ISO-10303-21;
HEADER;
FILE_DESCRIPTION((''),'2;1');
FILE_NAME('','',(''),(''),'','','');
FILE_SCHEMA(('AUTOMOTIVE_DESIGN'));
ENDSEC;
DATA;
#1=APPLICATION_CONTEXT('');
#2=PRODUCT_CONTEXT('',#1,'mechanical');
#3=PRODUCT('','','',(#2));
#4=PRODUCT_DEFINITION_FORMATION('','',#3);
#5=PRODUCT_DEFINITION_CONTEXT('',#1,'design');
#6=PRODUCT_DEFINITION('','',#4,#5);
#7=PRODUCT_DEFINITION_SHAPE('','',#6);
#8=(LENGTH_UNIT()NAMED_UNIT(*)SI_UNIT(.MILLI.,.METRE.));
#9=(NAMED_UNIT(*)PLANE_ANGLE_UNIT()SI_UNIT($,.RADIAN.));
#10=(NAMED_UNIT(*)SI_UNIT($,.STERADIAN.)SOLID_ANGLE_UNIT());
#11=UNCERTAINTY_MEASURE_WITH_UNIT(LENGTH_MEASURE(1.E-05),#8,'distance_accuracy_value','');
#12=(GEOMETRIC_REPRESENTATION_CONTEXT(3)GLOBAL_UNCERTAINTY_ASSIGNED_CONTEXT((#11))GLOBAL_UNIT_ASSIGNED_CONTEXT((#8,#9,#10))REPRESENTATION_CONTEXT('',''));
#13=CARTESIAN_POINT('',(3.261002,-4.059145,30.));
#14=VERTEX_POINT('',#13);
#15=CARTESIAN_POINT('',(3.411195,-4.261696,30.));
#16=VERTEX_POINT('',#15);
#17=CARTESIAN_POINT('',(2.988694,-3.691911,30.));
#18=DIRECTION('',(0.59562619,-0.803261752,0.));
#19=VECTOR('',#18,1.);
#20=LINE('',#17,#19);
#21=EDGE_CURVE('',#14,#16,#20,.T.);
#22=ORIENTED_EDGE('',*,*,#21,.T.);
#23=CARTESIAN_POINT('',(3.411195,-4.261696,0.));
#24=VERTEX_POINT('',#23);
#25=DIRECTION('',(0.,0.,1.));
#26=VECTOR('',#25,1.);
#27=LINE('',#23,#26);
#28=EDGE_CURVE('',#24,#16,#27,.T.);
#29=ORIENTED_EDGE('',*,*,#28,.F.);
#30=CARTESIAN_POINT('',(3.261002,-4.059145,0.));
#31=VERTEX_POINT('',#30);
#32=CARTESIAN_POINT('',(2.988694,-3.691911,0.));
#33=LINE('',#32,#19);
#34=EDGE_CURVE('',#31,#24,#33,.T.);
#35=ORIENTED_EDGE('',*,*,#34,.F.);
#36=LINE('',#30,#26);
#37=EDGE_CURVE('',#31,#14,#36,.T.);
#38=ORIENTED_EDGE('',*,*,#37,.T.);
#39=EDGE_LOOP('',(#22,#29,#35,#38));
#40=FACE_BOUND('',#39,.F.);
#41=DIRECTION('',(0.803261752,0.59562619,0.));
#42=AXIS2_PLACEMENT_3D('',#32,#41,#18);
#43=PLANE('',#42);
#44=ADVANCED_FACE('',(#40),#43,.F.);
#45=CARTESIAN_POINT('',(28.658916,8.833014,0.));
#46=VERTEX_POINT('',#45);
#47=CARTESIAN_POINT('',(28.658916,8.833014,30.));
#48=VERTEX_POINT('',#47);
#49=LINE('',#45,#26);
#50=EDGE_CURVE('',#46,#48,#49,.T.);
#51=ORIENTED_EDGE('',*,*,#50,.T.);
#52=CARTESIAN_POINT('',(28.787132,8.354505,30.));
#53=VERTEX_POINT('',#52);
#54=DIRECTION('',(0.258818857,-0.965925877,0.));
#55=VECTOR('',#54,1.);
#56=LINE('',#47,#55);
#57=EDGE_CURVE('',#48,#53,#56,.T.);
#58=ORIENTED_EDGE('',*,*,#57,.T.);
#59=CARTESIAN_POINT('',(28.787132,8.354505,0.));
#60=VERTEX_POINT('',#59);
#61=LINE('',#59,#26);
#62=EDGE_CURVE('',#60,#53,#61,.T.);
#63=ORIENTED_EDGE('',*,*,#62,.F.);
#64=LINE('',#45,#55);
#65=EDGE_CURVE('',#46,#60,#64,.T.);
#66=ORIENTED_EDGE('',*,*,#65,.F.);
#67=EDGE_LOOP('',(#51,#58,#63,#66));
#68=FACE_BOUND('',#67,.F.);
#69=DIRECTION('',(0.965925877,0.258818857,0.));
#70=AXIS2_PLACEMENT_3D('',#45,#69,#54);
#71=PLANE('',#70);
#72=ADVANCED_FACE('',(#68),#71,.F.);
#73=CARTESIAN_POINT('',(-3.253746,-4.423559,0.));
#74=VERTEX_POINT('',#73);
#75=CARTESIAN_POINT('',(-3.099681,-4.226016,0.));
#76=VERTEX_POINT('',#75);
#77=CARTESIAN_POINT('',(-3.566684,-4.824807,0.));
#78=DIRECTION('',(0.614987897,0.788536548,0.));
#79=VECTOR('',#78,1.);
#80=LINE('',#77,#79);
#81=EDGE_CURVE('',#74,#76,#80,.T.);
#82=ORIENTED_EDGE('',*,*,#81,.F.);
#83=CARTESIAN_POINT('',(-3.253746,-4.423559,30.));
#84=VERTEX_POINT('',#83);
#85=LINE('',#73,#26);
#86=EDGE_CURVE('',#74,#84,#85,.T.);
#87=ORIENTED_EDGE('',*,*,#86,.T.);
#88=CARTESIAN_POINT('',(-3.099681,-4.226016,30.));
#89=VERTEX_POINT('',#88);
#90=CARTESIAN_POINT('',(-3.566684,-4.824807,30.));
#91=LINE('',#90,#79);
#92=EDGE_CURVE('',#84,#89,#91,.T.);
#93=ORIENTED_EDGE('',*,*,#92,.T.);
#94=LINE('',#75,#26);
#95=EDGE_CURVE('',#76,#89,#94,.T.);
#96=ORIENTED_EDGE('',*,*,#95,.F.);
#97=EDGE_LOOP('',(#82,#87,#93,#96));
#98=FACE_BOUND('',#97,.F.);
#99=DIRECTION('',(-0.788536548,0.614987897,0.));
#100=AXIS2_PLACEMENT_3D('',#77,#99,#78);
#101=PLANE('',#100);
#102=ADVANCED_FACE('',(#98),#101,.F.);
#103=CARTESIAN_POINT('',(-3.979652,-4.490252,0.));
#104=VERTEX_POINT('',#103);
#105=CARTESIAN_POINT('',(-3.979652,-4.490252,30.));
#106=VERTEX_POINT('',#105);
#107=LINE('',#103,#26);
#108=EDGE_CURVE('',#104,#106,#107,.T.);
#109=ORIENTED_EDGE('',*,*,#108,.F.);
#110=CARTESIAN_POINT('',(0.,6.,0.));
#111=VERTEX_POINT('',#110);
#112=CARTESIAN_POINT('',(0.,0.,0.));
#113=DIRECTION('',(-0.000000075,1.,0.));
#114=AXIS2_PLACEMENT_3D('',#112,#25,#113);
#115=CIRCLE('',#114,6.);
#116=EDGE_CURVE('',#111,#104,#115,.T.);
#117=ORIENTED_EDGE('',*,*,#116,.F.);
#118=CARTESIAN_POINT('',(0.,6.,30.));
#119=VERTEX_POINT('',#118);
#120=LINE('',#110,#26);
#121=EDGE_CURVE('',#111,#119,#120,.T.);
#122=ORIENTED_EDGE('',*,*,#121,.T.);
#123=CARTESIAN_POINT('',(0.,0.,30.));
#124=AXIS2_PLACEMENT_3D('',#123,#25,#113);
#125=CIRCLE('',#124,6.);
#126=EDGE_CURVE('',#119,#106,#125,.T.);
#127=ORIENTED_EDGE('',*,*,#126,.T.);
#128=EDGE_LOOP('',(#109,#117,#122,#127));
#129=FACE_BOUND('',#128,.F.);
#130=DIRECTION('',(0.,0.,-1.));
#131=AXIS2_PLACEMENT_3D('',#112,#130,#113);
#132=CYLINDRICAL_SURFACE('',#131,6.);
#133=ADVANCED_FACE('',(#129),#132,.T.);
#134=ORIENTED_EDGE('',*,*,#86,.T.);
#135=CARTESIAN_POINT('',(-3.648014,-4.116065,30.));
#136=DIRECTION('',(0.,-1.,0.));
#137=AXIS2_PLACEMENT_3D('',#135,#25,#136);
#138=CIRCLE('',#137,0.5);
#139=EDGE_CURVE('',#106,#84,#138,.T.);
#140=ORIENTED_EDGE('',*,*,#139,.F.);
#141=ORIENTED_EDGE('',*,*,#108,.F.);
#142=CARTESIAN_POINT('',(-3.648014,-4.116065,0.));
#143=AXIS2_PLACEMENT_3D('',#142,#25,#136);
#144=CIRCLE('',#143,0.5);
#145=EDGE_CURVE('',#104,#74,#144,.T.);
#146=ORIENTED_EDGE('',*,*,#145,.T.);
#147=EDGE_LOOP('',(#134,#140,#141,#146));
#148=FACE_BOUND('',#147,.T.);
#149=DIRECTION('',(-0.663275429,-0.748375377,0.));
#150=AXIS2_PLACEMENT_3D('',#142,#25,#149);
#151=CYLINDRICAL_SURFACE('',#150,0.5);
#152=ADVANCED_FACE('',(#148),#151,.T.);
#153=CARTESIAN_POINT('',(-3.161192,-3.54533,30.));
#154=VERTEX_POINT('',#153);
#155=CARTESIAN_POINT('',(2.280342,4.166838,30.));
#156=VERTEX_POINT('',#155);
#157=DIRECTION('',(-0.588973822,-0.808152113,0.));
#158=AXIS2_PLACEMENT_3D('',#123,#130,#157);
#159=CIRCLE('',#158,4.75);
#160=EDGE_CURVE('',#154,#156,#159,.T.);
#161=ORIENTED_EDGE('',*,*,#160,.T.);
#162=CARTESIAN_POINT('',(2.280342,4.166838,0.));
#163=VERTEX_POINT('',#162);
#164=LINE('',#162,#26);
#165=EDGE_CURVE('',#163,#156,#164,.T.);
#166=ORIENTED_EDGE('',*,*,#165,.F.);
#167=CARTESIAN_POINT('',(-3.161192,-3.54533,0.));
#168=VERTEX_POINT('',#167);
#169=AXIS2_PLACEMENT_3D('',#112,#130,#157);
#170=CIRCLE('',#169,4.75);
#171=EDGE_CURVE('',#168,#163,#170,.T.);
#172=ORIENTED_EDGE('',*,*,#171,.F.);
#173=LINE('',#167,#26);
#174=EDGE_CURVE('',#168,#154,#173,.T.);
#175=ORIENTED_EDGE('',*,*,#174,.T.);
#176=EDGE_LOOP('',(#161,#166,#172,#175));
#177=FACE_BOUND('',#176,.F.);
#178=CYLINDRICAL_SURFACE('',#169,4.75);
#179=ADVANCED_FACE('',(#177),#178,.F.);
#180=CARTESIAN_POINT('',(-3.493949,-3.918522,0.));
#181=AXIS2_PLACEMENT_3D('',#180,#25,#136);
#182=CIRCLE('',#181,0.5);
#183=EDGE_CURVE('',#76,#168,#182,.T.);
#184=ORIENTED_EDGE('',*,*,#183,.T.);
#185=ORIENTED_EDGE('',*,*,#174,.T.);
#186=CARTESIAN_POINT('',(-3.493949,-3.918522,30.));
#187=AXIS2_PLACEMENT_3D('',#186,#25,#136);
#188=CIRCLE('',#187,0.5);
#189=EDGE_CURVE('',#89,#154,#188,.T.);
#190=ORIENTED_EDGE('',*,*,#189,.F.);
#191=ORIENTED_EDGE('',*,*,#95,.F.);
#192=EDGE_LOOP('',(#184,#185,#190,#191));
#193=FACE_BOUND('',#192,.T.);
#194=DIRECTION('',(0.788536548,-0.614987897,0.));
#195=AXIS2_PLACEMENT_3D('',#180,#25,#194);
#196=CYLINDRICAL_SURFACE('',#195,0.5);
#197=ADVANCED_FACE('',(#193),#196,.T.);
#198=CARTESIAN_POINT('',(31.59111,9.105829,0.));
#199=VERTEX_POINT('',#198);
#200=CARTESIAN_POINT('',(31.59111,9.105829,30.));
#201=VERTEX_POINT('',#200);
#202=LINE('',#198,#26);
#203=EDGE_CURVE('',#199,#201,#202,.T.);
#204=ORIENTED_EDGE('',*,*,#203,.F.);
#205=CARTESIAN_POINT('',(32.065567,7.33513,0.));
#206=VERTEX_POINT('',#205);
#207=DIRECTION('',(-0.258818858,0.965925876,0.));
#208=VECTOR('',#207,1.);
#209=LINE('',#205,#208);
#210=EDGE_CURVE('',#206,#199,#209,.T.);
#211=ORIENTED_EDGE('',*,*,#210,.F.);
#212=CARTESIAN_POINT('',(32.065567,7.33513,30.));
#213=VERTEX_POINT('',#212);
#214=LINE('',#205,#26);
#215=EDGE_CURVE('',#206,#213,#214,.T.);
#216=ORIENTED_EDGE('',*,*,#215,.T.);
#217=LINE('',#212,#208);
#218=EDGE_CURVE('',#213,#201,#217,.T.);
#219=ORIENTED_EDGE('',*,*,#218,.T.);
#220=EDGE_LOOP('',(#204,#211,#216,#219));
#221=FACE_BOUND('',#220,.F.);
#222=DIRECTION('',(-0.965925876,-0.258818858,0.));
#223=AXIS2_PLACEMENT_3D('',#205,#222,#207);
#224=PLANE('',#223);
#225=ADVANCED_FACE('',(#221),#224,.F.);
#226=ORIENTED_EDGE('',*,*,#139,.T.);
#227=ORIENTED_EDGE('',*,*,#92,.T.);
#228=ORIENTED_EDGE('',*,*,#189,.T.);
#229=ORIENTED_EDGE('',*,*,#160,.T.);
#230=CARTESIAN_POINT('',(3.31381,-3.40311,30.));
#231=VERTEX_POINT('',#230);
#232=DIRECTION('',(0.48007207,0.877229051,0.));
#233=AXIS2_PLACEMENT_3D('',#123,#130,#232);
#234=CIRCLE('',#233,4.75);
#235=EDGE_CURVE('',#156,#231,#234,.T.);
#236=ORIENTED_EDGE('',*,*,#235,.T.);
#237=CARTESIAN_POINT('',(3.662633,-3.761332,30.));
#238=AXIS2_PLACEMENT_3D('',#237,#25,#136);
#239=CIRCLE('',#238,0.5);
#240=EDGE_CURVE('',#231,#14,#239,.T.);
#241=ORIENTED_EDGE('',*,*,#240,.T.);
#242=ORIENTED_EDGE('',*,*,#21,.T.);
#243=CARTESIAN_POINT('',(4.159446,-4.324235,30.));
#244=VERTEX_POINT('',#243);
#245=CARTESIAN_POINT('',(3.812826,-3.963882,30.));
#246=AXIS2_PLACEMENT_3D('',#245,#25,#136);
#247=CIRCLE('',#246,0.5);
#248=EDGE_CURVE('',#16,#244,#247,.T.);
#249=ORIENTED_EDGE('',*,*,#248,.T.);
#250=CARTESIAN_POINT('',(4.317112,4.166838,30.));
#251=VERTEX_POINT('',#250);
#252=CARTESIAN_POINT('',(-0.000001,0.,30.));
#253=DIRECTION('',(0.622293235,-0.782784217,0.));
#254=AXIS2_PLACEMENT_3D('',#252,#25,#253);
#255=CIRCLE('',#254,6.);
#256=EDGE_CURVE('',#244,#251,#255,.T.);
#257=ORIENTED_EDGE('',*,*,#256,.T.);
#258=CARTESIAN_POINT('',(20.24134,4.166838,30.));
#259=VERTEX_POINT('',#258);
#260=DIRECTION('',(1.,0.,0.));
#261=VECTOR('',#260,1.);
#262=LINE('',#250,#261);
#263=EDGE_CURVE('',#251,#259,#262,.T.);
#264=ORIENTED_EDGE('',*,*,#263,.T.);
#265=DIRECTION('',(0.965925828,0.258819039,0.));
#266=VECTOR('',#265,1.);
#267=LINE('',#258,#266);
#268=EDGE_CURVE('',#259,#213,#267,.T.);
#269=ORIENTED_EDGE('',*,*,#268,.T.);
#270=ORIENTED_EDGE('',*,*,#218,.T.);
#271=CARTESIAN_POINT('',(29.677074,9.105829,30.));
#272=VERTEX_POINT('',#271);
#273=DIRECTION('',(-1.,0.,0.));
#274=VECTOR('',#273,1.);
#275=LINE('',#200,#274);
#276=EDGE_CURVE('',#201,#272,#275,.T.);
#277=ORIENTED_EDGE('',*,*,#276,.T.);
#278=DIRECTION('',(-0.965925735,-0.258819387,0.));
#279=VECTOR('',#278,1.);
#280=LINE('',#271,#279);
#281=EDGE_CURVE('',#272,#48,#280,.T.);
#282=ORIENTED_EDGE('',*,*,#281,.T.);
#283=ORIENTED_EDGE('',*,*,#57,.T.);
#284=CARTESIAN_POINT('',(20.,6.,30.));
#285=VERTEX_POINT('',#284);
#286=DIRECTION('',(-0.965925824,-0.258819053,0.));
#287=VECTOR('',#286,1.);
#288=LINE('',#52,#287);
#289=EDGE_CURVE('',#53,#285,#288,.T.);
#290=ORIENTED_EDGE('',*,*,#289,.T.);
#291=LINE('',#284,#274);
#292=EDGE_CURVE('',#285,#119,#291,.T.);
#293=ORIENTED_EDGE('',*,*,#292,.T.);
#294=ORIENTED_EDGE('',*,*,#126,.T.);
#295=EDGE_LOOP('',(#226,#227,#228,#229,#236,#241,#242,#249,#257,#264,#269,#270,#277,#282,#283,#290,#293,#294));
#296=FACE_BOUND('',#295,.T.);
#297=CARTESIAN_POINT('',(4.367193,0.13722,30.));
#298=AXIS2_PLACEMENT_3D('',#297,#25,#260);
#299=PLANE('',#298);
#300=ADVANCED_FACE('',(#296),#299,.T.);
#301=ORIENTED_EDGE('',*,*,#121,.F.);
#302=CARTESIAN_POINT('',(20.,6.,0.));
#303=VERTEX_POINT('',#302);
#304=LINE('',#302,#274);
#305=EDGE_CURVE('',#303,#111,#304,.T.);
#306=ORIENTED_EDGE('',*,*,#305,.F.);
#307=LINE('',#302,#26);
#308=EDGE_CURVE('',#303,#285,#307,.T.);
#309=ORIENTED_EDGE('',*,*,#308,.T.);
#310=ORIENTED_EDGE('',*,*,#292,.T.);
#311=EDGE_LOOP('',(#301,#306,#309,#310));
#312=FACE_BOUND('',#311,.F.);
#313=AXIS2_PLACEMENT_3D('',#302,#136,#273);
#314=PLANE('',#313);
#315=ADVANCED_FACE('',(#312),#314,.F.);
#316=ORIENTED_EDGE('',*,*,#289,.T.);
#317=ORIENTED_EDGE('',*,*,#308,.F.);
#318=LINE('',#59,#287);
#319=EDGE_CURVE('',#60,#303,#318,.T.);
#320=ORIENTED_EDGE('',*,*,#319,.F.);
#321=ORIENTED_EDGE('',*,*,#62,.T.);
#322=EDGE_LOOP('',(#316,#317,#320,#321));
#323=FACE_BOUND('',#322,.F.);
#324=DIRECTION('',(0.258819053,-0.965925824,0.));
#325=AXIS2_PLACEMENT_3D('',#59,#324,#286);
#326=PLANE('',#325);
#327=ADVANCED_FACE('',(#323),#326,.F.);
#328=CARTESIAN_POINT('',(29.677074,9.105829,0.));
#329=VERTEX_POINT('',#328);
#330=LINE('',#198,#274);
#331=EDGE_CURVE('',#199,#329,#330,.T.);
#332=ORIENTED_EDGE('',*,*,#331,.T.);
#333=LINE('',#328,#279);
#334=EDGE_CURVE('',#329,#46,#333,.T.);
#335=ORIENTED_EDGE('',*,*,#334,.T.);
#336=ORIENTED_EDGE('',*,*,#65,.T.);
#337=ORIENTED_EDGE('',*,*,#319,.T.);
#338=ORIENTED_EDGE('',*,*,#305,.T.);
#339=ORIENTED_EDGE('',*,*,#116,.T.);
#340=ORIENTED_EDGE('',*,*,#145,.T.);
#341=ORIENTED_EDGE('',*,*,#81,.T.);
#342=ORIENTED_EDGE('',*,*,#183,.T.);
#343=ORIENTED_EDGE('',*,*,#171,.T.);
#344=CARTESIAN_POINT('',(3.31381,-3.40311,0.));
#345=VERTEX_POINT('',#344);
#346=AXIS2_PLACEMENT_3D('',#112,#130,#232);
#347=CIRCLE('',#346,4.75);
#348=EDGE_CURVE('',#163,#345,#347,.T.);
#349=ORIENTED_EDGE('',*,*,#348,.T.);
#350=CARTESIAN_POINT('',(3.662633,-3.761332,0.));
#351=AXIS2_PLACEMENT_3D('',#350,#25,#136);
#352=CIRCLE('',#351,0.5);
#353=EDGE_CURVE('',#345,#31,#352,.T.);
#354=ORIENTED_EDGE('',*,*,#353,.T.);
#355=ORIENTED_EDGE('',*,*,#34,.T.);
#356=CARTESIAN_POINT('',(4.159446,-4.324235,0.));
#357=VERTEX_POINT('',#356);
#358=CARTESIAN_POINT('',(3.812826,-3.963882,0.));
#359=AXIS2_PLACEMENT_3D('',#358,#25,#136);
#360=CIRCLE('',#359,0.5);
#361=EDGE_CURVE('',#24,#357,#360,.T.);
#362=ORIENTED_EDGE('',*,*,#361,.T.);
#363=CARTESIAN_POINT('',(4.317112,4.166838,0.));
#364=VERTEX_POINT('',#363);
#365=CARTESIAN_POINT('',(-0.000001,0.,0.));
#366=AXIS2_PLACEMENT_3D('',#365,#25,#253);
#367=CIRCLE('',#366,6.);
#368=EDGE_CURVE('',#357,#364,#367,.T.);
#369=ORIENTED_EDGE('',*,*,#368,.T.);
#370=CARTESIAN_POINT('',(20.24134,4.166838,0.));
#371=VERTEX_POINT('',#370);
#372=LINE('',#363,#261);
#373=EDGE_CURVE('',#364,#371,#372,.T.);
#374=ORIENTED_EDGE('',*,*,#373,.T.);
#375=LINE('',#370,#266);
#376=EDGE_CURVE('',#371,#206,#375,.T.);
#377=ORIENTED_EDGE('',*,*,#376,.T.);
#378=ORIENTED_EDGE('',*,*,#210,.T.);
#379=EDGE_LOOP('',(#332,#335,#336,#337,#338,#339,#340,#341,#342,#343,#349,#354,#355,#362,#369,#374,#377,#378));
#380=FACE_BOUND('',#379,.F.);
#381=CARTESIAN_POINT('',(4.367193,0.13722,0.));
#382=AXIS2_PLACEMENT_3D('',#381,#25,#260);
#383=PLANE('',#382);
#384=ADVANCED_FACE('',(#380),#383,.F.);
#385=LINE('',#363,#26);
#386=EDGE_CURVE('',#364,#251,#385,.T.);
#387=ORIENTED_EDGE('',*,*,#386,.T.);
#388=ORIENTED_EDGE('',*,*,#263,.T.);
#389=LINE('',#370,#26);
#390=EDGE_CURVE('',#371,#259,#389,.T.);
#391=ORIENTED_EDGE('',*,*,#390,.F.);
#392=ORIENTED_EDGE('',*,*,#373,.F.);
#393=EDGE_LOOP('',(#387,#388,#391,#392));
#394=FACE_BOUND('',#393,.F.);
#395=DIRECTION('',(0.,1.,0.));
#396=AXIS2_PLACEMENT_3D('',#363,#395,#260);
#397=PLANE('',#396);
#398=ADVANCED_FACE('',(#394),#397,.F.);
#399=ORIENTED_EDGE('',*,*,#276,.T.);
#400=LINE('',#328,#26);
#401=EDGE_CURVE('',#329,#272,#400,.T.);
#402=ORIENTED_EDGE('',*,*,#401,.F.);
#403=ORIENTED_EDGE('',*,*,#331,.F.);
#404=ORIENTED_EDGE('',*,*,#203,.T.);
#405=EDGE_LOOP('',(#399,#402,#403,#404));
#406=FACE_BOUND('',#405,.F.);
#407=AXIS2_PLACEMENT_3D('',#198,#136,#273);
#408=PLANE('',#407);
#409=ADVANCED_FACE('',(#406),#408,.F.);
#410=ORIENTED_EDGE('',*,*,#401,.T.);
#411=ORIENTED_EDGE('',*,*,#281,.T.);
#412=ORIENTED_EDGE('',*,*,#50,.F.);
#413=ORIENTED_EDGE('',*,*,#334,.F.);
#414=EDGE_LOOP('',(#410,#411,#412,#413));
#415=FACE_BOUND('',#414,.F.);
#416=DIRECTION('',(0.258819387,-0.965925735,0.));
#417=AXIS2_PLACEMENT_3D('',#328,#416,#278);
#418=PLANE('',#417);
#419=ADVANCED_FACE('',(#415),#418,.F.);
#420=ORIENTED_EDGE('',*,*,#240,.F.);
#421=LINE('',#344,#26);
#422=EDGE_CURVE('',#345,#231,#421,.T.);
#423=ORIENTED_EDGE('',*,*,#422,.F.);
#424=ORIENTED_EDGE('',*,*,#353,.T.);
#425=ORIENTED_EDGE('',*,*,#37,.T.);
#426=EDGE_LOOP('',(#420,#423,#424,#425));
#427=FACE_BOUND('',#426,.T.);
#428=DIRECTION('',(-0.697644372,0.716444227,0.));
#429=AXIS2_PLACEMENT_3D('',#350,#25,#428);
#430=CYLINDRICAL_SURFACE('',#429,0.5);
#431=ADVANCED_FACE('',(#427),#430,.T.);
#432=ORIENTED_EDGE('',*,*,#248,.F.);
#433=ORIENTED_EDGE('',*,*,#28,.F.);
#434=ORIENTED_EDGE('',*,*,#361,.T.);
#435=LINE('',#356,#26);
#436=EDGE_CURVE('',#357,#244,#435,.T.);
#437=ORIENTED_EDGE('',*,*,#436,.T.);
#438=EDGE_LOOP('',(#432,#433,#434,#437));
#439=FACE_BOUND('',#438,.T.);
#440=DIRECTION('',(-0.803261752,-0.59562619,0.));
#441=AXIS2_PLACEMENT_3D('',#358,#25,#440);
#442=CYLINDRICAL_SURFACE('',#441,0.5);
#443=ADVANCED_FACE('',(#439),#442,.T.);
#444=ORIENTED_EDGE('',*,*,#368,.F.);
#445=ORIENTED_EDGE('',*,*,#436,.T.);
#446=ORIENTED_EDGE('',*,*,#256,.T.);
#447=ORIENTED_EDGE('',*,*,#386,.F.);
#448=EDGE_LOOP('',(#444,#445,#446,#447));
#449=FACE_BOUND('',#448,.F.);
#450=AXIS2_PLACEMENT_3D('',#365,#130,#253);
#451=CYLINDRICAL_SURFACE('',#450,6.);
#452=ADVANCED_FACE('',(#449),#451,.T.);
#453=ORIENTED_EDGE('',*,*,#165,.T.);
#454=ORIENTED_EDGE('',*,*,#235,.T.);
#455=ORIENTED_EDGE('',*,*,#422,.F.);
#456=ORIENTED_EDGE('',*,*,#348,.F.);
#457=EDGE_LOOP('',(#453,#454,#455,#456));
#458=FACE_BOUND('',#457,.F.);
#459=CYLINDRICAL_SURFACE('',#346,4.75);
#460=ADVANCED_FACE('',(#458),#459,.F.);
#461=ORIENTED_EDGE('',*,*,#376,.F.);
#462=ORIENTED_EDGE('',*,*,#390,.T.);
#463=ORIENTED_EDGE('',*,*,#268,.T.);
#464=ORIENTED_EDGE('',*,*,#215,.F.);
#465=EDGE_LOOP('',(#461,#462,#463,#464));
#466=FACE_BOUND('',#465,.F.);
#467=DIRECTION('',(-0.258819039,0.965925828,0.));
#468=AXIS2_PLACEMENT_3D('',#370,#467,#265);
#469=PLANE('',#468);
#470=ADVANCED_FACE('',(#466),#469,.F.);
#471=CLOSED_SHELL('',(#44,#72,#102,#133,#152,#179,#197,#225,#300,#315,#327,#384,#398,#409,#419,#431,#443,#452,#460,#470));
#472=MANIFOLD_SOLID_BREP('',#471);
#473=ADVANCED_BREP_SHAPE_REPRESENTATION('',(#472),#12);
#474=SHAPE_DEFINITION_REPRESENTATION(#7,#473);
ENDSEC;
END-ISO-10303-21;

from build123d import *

# Parameters (mm, degrees)
F1_DEPTH = 30
F2_R     = 0.5


with BuildPart() as f1:
    # F0 (on Top) → F1 (new body)
    with BuildSketch(Plane.XY):
        with BuildLine():
            ThreePointArc((2.280342, 4.166838), (4.730821, 0.426415), (2.988694, -3.691911))
            Line((2.988694, -3.691911), (3.733759, -4.696706))
            ThreePointArc((3.733759, -4.696706), (5.987047, -0.394037), (4.317112, 4.166838))
            Line((4.317112, 4.166838), (2.280342, 4.166838))
        make_face()
        with BuildLine():
            ThreePointArc((-2.797626, -3.838722), (-4.011128, 2.544279), (2.280342, 4.166838))
            Line((2.280342, 4.166838), (4.317112, 4.166838))
            ThreePointArc((4.317112, 4.166838), (2.345098, 5.522727), (0, 6))
            ThreePointArc((0, 6), (-5.698633, 1.877652), (-3.566684, -4.824807))
            Line((-3.566684, -4.824807), (-2.797626, -3.838722))
        make_face()
        with BuildLine():
            ThreePointArc((0, 6), (2.345098, 5.522727), (4.317112, 4.166838))
            Line((4.317112, 4.166838), (20.24134, 4.166838))
            Line((20.24134, 4.166838), (32.065567, 7.33513))
            Line((32.065567, 7.33513), (31.59111, 9.105829))
            Line((31.59111, 9.105829), (28.787132, 8.354505))
            Line((28.787132, 8.354505), (20, 6))
            Line((20, 6), (0, 6))
        make_face()
        Polygon((28.658916, 8.833014), (28.787132, 8.354505), (31.59111, 9.105829), (29.677074, 9.105829), align=None)
    extrude(amount=F1_DEPTH)

    # F2
    f2_edges = [f1.edges().sort_by_distance(p)[0] for p in [
        (-3.566684, -4.824807, 15),
        (-2.797626, -3.838722, 15),
        (3.733759, -4.696706, 15),
        (2.988694, -3.691911, 15),
    ]]
    fillet(f2_edges, radius=F2_R)


solid = f1.part
